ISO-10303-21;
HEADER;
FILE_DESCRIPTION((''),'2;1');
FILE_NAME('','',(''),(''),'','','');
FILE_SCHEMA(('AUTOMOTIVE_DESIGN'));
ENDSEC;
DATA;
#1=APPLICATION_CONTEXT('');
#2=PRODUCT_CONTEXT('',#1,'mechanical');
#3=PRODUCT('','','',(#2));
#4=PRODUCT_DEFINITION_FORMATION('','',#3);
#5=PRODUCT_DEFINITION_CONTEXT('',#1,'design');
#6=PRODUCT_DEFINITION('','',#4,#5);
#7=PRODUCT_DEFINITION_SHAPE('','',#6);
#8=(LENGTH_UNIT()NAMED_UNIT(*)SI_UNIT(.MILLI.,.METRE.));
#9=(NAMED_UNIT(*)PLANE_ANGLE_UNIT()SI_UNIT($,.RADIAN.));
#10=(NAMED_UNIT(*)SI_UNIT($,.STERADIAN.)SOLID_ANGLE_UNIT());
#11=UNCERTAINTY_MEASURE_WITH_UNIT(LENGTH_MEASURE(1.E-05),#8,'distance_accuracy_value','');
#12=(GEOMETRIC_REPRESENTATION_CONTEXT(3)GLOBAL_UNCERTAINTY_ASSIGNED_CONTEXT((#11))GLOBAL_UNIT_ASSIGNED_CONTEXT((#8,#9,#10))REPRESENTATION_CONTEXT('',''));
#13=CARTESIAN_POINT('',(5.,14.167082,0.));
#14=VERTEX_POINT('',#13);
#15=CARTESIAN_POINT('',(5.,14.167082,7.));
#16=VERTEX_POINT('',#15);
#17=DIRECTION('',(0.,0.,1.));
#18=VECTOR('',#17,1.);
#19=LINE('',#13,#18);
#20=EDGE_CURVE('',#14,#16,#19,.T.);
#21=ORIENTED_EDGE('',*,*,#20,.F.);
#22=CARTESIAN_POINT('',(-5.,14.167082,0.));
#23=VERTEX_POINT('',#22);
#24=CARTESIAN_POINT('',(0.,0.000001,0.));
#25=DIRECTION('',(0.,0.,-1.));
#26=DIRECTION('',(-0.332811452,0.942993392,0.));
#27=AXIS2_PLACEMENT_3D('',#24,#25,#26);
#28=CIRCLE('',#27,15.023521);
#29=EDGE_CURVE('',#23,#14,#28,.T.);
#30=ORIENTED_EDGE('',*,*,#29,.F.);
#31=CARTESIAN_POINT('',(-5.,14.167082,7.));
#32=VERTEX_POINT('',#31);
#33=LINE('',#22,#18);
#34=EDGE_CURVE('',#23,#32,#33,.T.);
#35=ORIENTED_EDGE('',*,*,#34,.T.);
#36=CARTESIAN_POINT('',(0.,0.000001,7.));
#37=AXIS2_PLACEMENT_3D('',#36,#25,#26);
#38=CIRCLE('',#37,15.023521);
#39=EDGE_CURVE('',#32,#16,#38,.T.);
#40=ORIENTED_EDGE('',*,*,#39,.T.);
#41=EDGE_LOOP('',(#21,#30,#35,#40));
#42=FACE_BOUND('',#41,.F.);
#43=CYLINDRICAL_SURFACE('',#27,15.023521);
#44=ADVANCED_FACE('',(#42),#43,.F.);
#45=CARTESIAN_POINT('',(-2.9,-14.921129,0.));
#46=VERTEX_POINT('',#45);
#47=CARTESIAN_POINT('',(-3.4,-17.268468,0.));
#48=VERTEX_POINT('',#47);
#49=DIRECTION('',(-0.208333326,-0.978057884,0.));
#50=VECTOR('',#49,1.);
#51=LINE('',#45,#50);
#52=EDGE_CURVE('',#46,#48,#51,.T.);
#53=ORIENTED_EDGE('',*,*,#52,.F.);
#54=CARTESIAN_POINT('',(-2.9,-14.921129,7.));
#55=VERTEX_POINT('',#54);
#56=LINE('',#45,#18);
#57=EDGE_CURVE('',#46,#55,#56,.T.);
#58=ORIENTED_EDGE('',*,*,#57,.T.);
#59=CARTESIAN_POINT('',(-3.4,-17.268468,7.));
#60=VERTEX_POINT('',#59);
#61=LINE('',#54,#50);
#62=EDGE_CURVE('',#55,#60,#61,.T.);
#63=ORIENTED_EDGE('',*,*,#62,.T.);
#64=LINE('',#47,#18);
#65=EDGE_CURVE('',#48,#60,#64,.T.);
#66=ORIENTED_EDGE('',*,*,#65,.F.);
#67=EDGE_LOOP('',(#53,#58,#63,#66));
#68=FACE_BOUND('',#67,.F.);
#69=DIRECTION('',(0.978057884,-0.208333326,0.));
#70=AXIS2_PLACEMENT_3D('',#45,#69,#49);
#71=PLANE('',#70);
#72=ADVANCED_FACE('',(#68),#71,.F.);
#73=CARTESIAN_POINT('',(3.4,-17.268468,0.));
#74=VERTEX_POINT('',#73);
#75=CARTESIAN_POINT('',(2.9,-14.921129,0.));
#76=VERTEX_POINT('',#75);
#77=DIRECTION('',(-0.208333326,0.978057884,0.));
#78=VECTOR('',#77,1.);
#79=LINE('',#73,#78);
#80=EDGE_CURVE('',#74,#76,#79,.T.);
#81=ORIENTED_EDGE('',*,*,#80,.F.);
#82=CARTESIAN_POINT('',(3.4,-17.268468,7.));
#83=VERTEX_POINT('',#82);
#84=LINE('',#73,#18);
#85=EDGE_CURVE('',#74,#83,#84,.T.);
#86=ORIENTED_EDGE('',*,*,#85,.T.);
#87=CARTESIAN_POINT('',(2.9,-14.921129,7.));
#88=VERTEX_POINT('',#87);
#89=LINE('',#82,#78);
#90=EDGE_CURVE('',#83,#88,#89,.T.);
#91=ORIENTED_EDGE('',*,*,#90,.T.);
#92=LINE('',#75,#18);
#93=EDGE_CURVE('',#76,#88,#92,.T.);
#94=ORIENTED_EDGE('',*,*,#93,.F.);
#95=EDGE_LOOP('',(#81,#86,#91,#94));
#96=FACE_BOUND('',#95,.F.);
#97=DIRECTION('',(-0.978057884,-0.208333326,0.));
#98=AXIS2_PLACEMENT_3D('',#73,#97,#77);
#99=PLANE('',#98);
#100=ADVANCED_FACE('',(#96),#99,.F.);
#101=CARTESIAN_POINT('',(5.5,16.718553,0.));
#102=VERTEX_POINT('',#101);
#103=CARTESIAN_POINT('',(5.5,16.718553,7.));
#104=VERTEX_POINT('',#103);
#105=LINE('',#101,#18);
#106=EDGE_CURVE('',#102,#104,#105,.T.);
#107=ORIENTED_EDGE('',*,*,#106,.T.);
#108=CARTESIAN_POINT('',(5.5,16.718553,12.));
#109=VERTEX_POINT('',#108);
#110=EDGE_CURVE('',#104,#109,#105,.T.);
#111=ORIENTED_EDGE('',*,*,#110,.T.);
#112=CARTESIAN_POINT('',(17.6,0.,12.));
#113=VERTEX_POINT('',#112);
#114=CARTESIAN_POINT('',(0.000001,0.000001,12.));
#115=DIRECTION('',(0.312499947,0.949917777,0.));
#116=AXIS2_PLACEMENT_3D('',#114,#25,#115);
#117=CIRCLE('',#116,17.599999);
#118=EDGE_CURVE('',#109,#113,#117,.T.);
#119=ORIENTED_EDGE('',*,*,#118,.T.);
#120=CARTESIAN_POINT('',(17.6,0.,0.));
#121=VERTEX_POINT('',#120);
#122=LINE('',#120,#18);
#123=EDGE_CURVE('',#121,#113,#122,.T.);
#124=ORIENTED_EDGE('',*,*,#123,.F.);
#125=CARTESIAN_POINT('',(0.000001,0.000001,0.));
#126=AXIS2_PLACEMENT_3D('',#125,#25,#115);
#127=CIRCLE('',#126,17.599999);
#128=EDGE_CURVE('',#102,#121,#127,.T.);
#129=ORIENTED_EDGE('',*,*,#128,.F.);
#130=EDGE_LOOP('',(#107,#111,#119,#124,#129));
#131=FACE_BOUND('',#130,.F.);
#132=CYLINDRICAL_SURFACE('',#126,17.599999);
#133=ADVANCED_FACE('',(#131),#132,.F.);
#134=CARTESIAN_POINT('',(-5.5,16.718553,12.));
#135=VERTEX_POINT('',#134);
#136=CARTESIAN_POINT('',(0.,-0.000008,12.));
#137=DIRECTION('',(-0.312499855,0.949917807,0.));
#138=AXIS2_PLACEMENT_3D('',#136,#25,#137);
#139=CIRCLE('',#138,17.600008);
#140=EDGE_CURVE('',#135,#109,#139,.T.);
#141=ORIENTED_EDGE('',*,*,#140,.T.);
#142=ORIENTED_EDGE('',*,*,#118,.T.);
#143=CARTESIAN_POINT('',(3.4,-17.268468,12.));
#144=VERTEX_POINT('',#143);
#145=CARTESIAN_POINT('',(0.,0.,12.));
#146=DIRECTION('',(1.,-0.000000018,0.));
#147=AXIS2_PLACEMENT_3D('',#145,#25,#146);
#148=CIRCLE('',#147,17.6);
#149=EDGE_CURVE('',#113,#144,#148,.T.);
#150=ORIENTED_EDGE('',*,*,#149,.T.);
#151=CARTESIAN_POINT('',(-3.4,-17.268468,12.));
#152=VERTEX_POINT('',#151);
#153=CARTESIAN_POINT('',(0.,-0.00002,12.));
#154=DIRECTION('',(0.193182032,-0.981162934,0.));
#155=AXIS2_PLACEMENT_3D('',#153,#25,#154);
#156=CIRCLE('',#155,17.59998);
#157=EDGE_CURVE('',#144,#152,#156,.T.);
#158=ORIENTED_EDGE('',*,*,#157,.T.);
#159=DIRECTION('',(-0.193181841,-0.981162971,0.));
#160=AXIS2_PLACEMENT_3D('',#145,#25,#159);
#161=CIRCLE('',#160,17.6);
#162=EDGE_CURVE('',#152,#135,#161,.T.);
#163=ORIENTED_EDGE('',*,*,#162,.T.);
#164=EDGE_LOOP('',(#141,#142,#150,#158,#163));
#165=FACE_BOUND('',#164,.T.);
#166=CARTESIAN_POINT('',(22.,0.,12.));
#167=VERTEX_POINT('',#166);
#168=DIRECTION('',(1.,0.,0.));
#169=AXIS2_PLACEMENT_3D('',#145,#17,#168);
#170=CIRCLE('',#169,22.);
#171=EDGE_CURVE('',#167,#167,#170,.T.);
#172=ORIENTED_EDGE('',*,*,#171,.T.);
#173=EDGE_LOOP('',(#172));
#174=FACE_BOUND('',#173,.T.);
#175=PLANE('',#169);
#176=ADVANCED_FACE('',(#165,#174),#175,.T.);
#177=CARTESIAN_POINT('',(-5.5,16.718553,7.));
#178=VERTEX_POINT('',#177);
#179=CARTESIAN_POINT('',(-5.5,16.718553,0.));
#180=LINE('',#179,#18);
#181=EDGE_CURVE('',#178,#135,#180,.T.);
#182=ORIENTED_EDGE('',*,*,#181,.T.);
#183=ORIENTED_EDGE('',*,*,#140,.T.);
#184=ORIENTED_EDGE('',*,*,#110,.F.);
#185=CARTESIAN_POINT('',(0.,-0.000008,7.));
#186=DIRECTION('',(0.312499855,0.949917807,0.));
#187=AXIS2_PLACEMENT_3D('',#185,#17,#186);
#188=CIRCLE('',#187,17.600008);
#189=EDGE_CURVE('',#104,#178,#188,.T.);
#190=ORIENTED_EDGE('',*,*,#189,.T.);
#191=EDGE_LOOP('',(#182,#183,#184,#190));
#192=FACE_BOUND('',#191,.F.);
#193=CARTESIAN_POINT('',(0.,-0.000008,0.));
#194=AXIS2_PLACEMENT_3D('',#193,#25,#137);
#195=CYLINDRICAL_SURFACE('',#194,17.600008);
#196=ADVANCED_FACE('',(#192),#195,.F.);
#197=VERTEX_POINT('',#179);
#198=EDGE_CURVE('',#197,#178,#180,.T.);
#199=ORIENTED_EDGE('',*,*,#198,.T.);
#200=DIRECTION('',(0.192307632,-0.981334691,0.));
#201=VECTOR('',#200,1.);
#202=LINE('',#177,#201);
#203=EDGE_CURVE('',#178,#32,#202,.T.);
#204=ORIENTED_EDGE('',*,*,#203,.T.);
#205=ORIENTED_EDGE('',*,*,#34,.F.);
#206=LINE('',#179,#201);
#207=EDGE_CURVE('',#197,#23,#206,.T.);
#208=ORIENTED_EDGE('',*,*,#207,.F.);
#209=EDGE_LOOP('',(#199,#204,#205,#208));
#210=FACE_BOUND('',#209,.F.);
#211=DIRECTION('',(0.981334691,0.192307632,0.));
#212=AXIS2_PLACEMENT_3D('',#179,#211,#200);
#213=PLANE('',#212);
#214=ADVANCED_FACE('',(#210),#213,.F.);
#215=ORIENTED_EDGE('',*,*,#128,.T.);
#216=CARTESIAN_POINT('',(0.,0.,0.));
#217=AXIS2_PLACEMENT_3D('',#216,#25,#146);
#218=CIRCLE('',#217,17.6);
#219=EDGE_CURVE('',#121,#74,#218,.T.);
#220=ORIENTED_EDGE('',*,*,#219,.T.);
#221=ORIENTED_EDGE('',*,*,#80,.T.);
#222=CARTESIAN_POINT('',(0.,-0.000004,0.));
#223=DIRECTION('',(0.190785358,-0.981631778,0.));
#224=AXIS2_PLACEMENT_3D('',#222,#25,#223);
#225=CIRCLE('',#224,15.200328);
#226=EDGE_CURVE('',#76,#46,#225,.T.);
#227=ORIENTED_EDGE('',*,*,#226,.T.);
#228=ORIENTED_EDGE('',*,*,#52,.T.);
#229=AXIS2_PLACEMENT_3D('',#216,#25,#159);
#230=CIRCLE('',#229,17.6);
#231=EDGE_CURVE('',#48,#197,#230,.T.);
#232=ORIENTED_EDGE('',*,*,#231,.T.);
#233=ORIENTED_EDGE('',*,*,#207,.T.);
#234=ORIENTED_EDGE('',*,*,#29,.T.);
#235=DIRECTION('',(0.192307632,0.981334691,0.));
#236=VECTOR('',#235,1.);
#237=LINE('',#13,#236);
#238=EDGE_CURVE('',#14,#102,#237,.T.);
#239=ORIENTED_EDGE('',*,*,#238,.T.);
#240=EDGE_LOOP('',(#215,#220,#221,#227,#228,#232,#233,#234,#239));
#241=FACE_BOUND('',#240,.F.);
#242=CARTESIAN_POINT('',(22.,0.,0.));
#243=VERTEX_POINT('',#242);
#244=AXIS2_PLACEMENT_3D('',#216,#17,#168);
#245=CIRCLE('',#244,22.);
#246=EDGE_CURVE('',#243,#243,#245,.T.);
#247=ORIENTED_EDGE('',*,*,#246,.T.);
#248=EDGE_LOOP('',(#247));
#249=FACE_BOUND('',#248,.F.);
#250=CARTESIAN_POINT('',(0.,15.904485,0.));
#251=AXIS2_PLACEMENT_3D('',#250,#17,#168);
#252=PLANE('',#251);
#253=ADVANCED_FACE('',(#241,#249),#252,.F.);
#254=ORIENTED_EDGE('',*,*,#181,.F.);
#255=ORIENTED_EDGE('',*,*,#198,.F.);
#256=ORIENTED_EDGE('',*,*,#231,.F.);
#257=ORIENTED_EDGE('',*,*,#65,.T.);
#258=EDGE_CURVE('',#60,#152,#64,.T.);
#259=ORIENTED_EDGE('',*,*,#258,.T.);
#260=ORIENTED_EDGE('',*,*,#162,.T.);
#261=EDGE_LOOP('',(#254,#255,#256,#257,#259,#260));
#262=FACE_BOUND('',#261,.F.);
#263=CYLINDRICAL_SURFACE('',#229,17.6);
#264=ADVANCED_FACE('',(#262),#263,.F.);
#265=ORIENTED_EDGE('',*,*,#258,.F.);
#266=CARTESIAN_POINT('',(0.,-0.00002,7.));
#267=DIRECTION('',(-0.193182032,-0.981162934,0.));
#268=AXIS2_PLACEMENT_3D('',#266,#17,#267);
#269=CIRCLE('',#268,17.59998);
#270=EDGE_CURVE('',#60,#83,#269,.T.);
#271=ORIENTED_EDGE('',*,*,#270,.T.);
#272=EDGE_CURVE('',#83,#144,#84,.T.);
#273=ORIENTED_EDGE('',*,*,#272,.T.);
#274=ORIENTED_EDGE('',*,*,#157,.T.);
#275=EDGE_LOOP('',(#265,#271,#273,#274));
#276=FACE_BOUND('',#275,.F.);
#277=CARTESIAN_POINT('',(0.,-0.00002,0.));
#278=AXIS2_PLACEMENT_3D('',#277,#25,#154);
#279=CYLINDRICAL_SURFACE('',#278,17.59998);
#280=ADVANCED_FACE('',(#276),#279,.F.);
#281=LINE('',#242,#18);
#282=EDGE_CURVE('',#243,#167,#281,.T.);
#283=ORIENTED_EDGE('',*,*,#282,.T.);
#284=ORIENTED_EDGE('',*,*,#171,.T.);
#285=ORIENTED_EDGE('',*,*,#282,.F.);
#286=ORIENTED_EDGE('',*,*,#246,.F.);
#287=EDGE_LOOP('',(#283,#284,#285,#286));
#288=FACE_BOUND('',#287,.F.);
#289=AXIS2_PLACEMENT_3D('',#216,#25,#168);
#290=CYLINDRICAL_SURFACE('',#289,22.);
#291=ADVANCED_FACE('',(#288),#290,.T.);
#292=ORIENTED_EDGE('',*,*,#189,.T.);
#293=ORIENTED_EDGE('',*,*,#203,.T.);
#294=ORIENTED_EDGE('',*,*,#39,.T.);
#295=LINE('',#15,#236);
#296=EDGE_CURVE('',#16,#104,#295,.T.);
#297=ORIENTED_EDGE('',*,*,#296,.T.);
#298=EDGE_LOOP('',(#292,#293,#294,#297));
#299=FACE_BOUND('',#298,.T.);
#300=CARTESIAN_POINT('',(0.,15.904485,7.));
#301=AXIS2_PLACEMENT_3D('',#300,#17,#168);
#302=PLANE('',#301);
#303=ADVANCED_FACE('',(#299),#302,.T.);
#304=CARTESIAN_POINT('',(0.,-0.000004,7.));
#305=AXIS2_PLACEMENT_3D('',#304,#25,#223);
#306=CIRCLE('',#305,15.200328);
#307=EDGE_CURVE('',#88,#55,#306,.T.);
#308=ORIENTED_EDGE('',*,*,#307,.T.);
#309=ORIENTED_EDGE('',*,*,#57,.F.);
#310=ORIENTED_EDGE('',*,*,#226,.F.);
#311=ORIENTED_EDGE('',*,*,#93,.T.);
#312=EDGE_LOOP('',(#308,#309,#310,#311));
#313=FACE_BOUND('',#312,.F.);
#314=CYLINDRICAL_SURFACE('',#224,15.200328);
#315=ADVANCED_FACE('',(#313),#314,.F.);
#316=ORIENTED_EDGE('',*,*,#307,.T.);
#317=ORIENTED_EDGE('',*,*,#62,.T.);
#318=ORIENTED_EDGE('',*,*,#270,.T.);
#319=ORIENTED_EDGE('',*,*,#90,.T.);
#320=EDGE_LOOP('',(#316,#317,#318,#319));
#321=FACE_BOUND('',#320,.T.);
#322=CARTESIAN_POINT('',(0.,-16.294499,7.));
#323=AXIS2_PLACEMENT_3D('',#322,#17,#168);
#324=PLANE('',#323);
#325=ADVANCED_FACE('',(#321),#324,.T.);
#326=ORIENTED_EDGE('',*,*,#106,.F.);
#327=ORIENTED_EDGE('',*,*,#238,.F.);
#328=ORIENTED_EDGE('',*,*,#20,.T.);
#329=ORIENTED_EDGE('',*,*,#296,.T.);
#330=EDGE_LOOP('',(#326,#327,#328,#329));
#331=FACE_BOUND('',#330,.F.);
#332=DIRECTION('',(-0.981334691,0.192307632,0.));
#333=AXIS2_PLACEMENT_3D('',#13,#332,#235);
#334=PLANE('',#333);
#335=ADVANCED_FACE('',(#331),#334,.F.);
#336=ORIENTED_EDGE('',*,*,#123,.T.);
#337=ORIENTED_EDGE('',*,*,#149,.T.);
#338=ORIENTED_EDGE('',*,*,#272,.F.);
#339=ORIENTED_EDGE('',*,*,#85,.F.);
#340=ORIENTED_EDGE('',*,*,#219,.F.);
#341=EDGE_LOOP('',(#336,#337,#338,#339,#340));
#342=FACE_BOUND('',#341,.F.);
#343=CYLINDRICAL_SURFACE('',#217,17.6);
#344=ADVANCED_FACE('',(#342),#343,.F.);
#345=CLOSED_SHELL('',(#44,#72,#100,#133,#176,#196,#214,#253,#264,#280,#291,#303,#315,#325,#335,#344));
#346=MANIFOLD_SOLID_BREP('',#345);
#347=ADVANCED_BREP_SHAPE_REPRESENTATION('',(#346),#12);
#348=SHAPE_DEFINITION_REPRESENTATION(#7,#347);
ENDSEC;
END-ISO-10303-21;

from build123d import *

# Parameters (mm, degrees)
F0_R     = 22
F1_DEPTH = 12
F2_DEPTH = 7


with BuildPart() as f1:
    # F0 (on Top) → F1 (new body)
    with BuildSketch(Plane.XY):
        Circle(F0_R)
        with BuildLine():
            ThreePointArc((5.5, 16.718553), (14.25763, 10.318915), (17.6, 0))
            ThreePointArc((17.6, 0), (13.594116, -11.178551), (3.4, -17.268468))
            ThreePointArc((3.4, -17.268468), (0, -17.6), (-3.4, -17.268468))
            ThreePointArc((-3.4, -17.268468), (-17.566499, -1.085404), (-5.5, 16.718553))
            ThreePointArc((-5.5, 16.718553), (0, 17.6), (5.5, 16.718553))
        make_face(mode=Mode.SUBTRACT)
    extrude(amount=F1_DEPTH)

    # F0 (on Top) → F2 (join)
    with BuildSketch(Plane.XY):
        with BuildLine():
            Line((5, 14.167082), (5.5, 16.718553))
            ThreePointArc((5.5, 16.718553), (0, 17.6), (-5.5, 16.718553))
            Line((-5.5, 16.718553), (-5, 14.167082))
            ThreePointArc((-5, 14.167082), (0, 15.023522), (5, 14.167082))
        make_face()
        with BuildLine():
            ThreePointArc((-3.4, -17.268468), (0, -17.6), (3.4, -17.268468))
            Line((3.4, -17.268468), (2.9, -14.921129))
            ThreePointArc((2.9, -14.921129), (0, -15.200332), (-2.9, -14.921129))
            Line((-2.9, -14.921129), (-3.4, -17.268468))
        make_face()
    extrude(amount=F2_DEPTH)


solid = f1.part
